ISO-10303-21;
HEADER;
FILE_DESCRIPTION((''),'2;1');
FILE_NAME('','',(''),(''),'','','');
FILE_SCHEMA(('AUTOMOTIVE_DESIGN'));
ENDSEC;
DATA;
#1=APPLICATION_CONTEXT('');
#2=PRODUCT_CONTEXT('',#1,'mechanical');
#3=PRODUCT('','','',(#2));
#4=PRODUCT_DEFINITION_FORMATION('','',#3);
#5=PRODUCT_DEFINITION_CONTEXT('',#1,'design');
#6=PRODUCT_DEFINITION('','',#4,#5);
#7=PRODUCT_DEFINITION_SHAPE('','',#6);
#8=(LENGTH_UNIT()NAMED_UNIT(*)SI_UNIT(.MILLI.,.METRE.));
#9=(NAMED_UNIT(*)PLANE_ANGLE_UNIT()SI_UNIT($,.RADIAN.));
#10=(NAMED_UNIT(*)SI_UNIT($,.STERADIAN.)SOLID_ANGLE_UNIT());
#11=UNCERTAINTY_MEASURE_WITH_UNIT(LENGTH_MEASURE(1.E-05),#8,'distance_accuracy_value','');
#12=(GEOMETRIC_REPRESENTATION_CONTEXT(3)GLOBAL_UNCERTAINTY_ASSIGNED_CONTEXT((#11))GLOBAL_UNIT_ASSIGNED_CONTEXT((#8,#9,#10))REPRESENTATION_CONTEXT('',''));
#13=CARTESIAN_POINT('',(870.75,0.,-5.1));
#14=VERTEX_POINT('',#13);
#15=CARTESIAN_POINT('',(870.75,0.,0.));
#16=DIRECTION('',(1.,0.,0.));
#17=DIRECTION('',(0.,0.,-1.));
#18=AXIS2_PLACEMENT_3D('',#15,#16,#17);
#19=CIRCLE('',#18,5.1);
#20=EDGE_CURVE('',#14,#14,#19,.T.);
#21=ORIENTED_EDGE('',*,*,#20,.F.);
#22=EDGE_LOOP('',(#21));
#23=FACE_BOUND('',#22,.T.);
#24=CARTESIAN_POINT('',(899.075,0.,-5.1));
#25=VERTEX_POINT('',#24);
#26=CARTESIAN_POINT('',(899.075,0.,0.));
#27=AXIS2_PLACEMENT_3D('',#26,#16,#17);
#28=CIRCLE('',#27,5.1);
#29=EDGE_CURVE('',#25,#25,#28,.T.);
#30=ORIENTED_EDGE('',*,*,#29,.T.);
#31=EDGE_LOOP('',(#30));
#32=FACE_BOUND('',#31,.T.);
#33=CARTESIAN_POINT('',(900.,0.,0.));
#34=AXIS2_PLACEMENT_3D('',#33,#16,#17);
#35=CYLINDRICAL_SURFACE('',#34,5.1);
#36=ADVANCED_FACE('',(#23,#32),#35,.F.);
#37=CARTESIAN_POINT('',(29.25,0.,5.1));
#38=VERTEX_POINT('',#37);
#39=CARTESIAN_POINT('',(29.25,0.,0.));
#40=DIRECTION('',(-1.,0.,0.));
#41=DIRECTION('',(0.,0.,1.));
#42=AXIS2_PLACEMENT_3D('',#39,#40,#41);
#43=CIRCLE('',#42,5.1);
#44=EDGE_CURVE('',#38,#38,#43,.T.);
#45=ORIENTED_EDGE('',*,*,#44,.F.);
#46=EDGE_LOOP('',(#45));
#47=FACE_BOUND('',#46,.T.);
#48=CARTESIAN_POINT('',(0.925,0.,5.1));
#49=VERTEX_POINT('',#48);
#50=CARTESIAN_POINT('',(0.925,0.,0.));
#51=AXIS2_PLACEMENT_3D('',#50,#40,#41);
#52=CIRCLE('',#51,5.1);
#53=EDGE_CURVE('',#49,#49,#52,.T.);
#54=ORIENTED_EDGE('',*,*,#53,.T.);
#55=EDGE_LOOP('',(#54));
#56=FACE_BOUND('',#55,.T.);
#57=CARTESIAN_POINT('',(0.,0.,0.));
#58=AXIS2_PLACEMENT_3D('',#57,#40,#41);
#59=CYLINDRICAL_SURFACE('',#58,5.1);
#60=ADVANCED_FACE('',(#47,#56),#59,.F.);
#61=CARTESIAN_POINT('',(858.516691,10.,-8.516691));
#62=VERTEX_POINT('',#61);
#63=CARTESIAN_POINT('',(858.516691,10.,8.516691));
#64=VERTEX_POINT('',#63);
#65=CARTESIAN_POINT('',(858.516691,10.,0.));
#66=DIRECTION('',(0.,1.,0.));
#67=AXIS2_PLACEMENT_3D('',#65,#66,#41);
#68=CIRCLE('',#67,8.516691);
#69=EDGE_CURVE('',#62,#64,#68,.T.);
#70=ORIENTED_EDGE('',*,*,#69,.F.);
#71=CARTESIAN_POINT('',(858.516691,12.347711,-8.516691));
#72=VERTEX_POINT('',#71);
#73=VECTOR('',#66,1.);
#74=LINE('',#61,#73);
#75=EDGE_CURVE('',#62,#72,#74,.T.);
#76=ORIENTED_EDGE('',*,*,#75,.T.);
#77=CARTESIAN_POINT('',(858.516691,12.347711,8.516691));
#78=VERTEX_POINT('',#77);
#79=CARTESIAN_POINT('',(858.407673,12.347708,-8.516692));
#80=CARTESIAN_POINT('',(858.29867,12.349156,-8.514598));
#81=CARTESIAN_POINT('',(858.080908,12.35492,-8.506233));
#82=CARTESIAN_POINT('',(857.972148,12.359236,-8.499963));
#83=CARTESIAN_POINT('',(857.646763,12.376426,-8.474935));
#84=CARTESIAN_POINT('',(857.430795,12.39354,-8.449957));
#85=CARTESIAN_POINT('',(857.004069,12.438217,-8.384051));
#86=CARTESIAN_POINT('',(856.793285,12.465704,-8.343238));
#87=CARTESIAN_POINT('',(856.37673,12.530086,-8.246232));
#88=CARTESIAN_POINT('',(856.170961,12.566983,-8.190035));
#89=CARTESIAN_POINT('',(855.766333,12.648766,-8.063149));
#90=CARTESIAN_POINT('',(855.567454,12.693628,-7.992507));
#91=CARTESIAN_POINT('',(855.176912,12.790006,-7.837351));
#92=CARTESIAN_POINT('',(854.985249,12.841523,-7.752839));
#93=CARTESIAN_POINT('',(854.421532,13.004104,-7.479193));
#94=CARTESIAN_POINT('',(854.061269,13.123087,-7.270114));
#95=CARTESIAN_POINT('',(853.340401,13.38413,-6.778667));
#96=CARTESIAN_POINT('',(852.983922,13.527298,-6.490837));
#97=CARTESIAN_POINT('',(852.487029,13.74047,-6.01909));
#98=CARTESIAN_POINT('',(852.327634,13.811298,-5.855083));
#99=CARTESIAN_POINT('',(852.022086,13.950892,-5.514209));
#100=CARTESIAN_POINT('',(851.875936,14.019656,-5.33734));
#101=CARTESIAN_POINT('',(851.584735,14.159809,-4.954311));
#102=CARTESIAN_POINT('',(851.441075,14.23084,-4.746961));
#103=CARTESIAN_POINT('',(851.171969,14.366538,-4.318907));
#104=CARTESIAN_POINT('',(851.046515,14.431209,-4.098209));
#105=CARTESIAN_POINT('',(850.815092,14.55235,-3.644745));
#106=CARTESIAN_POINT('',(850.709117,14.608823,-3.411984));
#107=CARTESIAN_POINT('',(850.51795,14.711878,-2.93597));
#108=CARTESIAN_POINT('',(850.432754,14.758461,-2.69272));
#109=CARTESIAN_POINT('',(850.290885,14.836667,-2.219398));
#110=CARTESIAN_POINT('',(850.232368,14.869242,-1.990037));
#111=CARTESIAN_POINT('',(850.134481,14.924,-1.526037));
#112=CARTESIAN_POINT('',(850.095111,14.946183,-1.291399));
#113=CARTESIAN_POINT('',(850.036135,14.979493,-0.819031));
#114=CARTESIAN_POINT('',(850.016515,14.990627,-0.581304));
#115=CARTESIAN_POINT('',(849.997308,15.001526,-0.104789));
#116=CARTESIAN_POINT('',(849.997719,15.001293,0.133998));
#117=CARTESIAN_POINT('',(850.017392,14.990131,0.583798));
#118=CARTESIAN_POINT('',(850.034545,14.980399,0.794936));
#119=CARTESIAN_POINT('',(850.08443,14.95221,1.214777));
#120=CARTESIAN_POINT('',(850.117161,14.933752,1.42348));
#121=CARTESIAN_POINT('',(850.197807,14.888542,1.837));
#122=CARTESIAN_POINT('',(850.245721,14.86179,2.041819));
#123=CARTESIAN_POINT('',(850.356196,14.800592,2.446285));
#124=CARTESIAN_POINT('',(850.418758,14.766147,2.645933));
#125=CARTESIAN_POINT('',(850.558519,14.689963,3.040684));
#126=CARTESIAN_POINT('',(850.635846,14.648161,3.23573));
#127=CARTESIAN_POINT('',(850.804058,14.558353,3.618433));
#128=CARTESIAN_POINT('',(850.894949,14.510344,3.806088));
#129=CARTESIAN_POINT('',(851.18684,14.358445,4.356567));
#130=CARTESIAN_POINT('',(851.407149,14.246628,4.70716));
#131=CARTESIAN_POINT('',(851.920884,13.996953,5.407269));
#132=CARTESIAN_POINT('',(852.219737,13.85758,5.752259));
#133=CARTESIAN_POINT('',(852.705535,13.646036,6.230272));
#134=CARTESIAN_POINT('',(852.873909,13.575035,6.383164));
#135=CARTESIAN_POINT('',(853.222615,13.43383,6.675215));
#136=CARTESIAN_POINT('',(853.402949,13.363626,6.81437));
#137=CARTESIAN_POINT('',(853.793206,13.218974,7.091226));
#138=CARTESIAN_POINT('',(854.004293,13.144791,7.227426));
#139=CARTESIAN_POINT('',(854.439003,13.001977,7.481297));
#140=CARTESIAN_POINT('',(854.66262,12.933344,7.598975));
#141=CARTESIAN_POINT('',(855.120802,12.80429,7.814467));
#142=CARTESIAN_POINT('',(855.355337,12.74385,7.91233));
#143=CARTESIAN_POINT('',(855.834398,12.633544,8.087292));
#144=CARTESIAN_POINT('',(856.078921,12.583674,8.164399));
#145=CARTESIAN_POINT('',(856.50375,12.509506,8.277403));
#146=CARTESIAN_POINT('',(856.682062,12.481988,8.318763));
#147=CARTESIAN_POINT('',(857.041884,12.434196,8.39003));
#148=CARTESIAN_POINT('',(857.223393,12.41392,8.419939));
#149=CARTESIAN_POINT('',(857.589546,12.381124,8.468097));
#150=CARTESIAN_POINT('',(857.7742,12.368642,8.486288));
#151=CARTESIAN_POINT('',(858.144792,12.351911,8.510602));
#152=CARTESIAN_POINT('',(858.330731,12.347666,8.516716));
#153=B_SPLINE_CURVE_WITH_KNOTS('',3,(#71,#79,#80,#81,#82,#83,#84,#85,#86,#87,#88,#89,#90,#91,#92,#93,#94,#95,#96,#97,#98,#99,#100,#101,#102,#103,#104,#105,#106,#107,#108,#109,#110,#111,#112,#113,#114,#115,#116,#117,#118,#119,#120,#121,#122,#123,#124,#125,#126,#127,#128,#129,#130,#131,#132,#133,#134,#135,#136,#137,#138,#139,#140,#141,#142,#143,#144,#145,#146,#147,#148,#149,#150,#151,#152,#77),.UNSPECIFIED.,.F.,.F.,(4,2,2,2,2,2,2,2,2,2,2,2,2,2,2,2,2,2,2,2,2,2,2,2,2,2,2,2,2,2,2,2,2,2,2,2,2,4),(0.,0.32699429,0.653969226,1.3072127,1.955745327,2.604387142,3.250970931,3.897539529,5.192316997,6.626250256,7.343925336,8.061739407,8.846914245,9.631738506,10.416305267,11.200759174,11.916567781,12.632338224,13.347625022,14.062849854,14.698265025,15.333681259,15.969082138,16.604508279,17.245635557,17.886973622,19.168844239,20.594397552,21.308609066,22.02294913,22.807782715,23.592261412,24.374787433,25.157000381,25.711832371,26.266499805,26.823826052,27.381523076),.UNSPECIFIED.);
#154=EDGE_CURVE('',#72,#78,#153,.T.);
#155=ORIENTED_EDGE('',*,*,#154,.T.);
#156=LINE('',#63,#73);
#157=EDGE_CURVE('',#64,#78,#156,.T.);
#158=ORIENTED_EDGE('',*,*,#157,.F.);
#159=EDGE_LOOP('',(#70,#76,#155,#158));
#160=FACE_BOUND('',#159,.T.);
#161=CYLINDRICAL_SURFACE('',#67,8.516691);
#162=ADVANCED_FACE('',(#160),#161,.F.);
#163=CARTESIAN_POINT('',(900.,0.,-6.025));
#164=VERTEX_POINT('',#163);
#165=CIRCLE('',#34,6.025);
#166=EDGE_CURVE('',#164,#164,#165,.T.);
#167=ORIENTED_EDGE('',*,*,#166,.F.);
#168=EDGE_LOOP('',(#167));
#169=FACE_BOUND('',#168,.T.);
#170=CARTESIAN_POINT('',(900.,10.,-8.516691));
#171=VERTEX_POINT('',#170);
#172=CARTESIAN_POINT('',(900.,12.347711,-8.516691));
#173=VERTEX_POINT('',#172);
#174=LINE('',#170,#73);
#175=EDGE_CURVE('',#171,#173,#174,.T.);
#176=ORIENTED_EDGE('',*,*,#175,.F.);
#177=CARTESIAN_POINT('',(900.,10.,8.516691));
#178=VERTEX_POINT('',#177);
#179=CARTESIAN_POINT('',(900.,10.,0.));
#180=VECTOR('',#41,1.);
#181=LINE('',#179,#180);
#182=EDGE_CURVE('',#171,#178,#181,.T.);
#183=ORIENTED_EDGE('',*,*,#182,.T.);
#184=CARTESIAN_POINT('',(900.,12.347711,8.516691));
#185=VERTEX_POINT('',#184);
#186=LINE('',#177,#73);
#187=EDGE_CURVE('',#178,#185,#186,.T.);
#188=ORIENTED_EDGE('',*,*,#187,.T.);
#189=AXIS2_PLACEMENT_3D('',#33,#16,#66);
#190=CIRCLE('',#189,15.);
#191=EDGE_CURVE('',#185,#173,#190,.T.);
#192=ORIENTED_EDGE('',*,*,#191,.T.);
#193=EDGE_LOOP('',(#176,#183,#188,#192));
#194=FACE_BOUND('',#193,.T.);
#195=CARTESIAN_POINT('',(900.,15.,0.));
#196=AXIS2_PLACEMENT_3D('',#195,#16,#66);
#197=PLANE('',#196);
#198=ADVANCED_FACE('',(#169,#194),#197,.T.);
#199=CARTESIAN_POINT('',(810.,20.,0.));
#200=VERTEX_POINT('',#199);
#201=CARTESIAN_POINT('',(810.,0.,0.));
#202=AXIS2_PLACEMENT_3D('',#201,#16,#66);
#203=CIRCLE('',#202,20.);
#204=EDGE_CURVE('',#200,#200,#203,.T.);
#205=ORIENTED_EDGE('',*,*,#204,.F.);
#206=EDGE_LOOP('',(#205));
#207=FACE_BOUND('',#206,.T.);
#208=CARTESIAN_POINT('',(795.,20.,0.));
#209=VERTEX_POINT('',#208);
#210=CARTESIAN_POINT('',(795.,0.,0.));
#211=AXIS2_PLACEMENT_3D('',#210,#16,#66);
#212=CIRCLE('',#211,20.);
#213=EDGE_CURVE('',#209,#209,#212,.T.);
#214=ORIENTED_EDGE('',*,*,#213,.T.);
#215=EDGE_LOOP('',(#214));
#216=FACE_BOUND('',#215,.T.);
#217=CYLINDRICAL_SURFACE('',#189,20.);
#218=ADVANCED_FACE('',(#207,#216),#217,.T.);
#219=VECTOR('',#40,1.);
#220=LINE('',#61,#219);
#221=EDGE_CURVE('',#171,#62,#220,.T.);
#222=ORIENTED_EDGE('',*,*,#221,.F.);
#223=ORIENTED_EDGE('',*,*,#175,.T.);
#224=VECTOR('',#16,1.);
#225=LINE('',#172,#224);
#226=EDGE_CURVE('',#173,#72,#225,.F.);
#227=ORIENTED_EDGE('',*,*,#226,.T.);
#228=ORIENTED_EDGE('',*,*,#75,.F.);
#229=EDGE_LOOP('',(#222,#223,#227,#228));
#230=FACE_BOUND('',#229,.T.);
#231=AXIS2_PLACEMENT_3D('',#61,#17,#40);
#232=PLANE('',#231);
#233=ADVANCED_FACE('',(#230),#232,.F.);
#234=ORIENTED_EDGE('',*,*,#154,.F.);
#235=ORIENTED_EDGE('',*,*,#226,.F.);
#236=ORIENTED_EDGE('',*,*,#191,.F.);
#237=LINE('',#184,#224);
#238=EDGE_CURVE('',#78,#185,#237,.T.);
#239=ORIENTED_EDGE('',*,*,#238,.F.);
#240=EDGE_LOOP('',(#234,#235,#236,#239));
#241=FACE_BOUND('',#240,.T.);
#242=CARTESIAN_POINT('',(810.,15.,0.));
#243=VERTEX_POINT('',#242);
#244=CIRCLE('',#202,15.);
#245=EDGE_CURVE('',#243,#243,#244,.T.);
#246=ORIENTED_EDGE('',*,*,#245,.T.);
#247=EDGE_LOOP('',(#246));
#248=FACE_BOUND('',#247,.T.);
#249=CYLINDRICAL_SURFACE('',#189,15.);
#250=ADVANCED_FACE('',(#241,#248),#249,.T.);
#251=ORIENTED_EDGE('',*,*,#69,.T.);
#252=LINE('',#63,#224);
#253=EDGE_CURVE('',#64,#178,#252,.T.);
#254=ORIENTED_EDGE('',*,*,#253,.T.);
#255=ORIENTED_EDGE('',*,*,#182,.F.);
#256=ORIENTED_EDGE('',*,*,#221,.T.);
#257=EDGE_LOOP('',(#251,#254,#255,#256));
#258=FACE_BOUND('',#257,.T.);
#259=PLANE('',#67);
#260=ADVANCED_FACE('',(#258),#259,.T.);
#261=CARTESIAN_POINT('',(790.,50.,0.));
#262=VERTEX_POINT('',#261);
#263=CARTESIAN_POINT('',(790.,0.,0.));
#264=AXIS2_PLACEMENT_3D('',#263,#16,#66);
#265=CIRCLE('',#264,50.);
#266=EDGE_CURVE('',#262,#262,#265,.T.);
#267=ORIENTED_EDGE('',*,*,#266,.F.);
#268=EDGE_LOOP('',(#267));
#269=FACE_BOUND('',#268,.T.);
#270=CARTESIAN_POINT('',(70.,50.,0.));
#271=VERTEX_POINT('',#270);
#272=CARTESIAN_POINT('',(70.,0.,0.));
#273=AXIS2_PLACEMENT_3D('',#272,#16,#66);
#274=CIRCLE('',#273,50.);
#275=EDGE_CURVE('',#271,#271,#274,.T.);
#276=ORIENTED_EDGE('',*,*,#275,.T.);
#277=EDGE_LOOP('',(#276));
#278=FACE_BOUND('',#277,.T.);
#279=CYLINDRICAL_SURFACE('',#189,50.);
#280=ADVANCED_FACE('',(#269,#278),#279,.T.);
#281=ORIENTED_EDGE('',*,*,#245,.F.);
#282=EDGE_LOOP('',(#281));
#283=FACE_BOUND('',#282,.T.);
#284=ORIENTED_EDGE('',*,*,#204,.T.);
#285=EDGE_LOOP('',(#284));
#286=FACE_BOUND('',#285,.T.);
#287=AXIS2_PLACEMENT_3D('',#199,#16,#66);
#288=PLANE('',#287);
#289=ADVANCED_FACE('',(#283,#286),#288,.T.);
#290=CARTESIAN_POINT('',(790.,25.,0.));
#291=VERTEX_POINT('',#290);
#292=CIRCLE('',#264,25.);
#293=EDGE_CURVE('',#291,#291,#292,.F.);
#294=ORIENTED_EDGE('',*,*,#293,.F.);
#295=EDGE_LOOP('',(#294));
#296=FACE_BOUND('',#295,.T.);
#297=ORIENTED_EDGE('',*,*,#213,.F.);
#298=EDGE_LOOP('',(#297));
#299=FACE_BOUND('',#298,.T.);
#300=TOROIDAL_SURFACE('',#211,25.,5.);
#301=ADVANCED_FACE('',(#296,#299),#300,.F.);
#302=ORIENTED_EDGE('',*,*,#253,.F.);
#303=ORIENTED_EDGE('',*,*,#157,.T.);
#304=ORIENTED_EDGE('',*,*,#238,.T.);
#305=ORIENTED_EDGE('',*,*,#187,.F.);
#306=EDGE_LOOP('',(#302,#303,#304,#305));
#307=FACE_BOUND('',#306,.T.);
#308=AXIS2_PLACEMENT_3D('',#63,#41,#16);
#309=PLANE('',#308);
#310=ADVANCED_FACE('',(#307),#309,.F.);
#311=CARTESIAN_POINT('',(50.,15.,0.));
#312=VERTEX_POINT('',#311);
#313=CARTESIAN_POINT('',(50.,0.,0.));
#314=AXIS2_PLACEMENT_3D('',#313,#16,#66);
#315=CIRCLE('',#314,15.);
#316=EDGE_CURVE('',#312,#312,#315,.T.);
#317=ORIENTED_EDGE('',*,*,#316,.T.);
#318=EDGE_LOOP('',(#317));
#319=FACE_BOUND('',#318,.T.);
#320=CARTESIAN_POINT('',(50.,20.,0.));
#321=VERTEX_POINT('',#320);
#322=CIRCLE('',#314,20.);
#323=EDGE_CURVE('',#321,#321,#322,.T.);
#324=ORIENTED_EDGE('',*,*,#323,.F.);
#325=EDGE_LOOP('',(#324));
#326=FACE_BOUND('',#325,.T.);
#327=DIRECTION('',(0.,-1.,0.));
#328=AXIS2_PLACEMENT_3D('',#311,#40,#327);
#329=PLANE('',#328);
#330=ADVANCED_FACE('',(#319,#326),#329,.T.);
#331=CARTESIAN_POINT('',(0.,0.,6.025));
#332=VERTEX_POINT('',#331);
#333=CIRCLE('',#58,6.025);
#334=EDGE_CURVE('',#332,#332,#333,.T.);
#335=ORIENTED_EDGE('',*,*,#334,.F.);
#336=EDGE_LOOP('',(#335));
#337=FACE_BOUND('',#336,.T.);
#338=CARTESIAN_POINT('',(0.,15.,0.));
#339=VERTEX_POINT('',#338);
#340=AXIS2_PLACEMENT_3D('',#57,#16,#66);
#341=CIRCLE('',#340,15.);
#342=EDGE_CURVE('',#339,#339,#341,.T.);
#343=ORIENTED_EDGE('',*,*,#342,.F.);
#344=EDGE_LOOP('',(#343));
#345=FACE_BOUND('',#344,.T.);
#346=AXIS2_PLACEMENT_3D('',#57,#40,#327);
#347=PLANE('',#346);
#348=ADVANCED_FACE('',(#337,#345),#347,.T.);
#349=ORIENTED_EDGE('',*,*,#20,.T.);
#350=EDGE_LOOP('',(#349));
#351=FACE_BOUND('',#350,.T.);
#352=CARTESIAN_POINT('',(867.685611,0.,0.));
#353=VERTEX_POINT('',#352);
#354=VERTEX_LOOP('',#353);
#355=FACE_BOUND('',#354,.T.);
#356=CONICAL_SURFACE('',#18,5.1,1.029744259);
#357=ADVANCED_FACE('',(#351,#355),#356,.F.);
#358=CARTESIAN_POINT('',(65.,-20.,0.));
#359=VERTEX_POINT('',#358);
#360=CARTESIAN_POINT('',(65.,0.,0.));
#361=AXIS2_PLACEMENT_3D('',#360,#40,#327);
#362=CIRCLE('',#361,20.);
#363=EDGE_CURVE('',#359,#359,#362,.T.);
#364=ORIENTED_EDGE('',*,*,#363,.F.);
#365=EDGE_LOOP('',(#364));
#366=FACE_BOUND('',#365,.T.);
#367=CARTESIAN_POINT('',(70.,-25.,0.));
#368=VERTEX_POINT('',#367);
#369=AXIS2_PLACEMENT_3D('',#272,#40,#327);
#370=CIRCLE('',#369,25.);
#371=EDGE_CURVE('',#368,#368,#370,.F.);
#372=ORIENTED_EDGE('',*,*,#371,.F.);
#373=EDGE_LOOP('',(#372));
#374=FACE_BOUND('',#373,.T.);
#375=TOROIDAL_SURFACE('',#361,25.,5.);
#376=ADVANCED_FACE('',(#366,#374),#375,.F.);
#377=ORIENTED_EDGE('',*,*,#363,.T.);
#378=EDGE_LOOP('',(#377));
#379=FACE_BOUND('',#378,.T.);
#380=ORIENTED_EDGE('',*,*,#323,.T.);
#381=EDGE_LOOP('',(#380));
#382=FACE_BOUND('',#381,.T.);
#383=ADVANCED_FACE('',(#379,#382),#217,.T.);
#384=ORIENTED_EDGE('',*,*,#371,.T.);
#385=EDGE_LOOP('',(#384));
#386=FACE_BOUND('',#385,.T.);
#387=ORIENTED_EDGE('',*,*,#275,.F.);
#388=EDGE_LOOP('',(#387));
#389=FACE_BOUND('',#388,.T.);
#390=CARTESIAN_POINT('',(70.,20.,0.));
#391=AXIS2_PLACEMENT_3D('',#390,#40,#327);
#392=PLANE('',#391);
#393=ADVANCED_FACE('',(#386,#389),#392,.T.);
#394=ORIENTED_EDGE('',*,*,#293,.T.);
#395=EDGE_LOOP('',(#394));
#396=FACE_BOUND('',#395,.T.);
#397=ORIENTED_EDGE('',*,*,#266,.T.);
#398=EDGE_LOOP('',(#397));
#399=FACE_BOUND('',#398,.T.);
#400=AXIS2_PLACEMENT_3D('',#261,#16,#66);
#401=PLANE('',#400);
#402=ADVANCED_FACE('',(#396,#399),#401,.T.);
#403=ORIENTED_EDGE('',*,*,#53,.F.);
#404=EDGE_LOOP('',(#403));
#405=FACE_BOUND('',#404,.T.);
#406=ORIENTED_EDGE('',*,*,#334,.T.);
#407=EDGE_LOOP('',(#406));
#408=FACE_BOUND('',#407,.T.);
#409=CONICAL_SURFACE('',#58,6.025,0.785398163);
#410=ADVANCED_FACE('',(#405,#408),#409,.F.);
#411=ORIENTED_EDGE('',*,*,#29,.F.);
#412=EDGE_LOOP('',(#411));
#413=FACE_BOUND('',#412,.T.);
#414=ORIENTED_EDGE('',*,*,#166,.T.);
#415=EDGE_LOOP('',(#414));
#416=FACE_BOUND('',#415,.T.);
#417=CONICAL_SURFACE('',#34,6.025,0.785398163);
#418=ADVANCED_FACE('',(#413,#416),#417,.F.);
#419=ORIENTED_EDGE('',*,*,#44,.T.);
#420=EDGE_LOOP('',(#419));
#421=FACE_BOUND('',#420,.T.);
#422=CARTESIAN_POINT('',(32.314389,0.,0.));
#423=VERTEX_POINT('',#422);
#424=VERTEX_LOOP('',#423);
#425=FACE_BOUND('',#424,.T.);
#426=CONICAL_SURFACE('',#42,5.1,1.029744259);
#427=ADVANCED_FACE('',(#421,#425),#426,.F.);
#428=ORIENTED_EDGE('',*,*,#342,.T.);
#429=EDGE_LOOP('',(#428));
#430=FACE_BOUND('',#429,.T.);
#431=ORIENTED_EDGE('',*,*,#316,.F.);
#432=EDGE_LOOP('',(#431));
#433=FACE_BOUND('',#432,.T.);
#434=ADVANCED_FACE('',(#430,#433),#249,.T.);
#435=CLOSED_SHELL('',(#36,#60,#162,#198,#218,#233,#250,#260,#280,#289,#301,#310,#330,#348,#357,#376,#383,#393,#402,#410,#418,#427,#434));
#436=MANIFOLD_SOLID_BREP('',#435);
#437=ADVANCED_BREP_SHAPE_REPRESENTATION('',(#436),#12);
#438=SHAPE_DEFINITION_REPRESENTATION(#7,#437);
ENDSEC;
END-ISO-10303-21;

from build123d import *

# Parameters (mm, degrees)
FILLET1_R                              = 5
M12_TAPPED_HOLE1_D                     = 10.2
M12_TAPPED_HOLE1_DEPTH                 = 29.25
M12_TAPPED_HOLE1_CSINK_D               = 12.05
M12_TAPPED_HOLE1_CSINK_ANGLE           = 90
M12_TAPPED_HOLE1_TIP                   = 3.064389157
M12_TAPPED_HOLE1_ON_FACE_2_D           = 10.2
M12_TAPPED_HOLE1_ON_FACE_2_DEPTH       = 29.25
M12_TAPPED_HOLE1_ON_FACE_2_CSINK_D     = 12.05
M12_TAPPED_HOLE1_ON_FACE_2_CSINK_ANGLE = 90
M12_TAPPED_HOLE1_ON_FACE_2_TIP         = 3.064389157
CUT_EXTRUDE1_DEPTH                     = 5


with BuildPart() as part:
    # Sketch1 → Revolve1 (revolve)
    with BuildSketch(Plane.XY):
        Polygon((0, 0), (0, 15), (50, 15), (50, 20), (70, 20), (70, 50), (790, 50), (790, 20), (810, 20), (810, 15), (900, 15), (900, 0), align=None)
    revolve(axis=Axis((900, 0, 0), (-1, 0, 0)))

    # Fillet1
    fillet1_edges = [part.edges().sort_by_distance(p)[0] for p in [
        (790, -20, 0),
        (70, -20, 0),
    ]]
    fillet(fillet1_edges, radius=FILLET1_R)

    # M12 Tapped Hole1
    with Locations(Plane.YZ.offset(900)):
        with Locations((0, 0)):
            CounterSinkHole(M12_TAPPED_HOLE1_D / 2, M12_TAPPED_HOLE1_CSINK_D / 2, depth=M12_TAPPED_HOLE1_DEPTH, counter_sink_angle=M12_TAPPED_HOLE1_CSINK_ANGLE)
            with Locations((0, 0, -(M12_TAPPED_HOLE1_DEPTH + M12_TAPPED_HOLE1_TIP / 2))):  # 118° drill point
                Cone(0, M12_TAPPED_HOLE1_D / 2, M12_TAPPED_HOLE1_TIP, mode=Mode.SUBTRACT)

    # M12 Tapped Hole1 on face 2
    with Locations(Plane(origin=(0, 0, 0), x_dir=(0, 0, -1), z_dir=(-1, 0, 0))):
        with Locations((0, 0)):
            CounterSinkHole(M12_TAPPED_HOLE1_ON_FACE_2_D / 2, M12_TAPPED_HOLE1_ON_FACE_2_CSINK_D / 2, depth=M12_TAPPED_HOLE1_ON_FACE_2_DEPTH, counter_sink_angle=M12_TAPPED_HOLE1_ON_FACE_2_CSINK_ANGLE)
            with Locations((0, 0, -(M12_TAPPED_HOLE1_ON_FACE_2_DEPTH + M12_TAPPED_HOLE1_ON_FACE_2_TIP / 2))):  # 118° drill point
                Cone(0, M12_TAPPED_HOLE1_ON_FACE_2_D / 2, M12_TAPPED_HOLE1_ON_FACE_2_TIP, mode=Mode.SUBTRACT)

    # Sketch3 → Cut-Extrude1 (cut)
    with BuildSketch(Plane(origin=(0, 15, 0), x_dir=(1, 0, 0), z_dir=(0, 1, 0))):
        with BuildLine():
            Line((858.516691337, 8.516691337), (900, 8.516691337))
            ThreePointArc((900, 8.516691337), (908.516691337, 0), (900, -8.516691337))
            Line((900, -8.516691337), (858.516691337, -8.516691337))
            ThreePointArc((858.516691337, -8.516691337), (850, 0), (858.516691337, 8.516691337))
        make_face()
    extrude(amount=-CUT_EXTRUDE1_DEPTH, mode=Mode.SUBTRACT)


solid = part.part
